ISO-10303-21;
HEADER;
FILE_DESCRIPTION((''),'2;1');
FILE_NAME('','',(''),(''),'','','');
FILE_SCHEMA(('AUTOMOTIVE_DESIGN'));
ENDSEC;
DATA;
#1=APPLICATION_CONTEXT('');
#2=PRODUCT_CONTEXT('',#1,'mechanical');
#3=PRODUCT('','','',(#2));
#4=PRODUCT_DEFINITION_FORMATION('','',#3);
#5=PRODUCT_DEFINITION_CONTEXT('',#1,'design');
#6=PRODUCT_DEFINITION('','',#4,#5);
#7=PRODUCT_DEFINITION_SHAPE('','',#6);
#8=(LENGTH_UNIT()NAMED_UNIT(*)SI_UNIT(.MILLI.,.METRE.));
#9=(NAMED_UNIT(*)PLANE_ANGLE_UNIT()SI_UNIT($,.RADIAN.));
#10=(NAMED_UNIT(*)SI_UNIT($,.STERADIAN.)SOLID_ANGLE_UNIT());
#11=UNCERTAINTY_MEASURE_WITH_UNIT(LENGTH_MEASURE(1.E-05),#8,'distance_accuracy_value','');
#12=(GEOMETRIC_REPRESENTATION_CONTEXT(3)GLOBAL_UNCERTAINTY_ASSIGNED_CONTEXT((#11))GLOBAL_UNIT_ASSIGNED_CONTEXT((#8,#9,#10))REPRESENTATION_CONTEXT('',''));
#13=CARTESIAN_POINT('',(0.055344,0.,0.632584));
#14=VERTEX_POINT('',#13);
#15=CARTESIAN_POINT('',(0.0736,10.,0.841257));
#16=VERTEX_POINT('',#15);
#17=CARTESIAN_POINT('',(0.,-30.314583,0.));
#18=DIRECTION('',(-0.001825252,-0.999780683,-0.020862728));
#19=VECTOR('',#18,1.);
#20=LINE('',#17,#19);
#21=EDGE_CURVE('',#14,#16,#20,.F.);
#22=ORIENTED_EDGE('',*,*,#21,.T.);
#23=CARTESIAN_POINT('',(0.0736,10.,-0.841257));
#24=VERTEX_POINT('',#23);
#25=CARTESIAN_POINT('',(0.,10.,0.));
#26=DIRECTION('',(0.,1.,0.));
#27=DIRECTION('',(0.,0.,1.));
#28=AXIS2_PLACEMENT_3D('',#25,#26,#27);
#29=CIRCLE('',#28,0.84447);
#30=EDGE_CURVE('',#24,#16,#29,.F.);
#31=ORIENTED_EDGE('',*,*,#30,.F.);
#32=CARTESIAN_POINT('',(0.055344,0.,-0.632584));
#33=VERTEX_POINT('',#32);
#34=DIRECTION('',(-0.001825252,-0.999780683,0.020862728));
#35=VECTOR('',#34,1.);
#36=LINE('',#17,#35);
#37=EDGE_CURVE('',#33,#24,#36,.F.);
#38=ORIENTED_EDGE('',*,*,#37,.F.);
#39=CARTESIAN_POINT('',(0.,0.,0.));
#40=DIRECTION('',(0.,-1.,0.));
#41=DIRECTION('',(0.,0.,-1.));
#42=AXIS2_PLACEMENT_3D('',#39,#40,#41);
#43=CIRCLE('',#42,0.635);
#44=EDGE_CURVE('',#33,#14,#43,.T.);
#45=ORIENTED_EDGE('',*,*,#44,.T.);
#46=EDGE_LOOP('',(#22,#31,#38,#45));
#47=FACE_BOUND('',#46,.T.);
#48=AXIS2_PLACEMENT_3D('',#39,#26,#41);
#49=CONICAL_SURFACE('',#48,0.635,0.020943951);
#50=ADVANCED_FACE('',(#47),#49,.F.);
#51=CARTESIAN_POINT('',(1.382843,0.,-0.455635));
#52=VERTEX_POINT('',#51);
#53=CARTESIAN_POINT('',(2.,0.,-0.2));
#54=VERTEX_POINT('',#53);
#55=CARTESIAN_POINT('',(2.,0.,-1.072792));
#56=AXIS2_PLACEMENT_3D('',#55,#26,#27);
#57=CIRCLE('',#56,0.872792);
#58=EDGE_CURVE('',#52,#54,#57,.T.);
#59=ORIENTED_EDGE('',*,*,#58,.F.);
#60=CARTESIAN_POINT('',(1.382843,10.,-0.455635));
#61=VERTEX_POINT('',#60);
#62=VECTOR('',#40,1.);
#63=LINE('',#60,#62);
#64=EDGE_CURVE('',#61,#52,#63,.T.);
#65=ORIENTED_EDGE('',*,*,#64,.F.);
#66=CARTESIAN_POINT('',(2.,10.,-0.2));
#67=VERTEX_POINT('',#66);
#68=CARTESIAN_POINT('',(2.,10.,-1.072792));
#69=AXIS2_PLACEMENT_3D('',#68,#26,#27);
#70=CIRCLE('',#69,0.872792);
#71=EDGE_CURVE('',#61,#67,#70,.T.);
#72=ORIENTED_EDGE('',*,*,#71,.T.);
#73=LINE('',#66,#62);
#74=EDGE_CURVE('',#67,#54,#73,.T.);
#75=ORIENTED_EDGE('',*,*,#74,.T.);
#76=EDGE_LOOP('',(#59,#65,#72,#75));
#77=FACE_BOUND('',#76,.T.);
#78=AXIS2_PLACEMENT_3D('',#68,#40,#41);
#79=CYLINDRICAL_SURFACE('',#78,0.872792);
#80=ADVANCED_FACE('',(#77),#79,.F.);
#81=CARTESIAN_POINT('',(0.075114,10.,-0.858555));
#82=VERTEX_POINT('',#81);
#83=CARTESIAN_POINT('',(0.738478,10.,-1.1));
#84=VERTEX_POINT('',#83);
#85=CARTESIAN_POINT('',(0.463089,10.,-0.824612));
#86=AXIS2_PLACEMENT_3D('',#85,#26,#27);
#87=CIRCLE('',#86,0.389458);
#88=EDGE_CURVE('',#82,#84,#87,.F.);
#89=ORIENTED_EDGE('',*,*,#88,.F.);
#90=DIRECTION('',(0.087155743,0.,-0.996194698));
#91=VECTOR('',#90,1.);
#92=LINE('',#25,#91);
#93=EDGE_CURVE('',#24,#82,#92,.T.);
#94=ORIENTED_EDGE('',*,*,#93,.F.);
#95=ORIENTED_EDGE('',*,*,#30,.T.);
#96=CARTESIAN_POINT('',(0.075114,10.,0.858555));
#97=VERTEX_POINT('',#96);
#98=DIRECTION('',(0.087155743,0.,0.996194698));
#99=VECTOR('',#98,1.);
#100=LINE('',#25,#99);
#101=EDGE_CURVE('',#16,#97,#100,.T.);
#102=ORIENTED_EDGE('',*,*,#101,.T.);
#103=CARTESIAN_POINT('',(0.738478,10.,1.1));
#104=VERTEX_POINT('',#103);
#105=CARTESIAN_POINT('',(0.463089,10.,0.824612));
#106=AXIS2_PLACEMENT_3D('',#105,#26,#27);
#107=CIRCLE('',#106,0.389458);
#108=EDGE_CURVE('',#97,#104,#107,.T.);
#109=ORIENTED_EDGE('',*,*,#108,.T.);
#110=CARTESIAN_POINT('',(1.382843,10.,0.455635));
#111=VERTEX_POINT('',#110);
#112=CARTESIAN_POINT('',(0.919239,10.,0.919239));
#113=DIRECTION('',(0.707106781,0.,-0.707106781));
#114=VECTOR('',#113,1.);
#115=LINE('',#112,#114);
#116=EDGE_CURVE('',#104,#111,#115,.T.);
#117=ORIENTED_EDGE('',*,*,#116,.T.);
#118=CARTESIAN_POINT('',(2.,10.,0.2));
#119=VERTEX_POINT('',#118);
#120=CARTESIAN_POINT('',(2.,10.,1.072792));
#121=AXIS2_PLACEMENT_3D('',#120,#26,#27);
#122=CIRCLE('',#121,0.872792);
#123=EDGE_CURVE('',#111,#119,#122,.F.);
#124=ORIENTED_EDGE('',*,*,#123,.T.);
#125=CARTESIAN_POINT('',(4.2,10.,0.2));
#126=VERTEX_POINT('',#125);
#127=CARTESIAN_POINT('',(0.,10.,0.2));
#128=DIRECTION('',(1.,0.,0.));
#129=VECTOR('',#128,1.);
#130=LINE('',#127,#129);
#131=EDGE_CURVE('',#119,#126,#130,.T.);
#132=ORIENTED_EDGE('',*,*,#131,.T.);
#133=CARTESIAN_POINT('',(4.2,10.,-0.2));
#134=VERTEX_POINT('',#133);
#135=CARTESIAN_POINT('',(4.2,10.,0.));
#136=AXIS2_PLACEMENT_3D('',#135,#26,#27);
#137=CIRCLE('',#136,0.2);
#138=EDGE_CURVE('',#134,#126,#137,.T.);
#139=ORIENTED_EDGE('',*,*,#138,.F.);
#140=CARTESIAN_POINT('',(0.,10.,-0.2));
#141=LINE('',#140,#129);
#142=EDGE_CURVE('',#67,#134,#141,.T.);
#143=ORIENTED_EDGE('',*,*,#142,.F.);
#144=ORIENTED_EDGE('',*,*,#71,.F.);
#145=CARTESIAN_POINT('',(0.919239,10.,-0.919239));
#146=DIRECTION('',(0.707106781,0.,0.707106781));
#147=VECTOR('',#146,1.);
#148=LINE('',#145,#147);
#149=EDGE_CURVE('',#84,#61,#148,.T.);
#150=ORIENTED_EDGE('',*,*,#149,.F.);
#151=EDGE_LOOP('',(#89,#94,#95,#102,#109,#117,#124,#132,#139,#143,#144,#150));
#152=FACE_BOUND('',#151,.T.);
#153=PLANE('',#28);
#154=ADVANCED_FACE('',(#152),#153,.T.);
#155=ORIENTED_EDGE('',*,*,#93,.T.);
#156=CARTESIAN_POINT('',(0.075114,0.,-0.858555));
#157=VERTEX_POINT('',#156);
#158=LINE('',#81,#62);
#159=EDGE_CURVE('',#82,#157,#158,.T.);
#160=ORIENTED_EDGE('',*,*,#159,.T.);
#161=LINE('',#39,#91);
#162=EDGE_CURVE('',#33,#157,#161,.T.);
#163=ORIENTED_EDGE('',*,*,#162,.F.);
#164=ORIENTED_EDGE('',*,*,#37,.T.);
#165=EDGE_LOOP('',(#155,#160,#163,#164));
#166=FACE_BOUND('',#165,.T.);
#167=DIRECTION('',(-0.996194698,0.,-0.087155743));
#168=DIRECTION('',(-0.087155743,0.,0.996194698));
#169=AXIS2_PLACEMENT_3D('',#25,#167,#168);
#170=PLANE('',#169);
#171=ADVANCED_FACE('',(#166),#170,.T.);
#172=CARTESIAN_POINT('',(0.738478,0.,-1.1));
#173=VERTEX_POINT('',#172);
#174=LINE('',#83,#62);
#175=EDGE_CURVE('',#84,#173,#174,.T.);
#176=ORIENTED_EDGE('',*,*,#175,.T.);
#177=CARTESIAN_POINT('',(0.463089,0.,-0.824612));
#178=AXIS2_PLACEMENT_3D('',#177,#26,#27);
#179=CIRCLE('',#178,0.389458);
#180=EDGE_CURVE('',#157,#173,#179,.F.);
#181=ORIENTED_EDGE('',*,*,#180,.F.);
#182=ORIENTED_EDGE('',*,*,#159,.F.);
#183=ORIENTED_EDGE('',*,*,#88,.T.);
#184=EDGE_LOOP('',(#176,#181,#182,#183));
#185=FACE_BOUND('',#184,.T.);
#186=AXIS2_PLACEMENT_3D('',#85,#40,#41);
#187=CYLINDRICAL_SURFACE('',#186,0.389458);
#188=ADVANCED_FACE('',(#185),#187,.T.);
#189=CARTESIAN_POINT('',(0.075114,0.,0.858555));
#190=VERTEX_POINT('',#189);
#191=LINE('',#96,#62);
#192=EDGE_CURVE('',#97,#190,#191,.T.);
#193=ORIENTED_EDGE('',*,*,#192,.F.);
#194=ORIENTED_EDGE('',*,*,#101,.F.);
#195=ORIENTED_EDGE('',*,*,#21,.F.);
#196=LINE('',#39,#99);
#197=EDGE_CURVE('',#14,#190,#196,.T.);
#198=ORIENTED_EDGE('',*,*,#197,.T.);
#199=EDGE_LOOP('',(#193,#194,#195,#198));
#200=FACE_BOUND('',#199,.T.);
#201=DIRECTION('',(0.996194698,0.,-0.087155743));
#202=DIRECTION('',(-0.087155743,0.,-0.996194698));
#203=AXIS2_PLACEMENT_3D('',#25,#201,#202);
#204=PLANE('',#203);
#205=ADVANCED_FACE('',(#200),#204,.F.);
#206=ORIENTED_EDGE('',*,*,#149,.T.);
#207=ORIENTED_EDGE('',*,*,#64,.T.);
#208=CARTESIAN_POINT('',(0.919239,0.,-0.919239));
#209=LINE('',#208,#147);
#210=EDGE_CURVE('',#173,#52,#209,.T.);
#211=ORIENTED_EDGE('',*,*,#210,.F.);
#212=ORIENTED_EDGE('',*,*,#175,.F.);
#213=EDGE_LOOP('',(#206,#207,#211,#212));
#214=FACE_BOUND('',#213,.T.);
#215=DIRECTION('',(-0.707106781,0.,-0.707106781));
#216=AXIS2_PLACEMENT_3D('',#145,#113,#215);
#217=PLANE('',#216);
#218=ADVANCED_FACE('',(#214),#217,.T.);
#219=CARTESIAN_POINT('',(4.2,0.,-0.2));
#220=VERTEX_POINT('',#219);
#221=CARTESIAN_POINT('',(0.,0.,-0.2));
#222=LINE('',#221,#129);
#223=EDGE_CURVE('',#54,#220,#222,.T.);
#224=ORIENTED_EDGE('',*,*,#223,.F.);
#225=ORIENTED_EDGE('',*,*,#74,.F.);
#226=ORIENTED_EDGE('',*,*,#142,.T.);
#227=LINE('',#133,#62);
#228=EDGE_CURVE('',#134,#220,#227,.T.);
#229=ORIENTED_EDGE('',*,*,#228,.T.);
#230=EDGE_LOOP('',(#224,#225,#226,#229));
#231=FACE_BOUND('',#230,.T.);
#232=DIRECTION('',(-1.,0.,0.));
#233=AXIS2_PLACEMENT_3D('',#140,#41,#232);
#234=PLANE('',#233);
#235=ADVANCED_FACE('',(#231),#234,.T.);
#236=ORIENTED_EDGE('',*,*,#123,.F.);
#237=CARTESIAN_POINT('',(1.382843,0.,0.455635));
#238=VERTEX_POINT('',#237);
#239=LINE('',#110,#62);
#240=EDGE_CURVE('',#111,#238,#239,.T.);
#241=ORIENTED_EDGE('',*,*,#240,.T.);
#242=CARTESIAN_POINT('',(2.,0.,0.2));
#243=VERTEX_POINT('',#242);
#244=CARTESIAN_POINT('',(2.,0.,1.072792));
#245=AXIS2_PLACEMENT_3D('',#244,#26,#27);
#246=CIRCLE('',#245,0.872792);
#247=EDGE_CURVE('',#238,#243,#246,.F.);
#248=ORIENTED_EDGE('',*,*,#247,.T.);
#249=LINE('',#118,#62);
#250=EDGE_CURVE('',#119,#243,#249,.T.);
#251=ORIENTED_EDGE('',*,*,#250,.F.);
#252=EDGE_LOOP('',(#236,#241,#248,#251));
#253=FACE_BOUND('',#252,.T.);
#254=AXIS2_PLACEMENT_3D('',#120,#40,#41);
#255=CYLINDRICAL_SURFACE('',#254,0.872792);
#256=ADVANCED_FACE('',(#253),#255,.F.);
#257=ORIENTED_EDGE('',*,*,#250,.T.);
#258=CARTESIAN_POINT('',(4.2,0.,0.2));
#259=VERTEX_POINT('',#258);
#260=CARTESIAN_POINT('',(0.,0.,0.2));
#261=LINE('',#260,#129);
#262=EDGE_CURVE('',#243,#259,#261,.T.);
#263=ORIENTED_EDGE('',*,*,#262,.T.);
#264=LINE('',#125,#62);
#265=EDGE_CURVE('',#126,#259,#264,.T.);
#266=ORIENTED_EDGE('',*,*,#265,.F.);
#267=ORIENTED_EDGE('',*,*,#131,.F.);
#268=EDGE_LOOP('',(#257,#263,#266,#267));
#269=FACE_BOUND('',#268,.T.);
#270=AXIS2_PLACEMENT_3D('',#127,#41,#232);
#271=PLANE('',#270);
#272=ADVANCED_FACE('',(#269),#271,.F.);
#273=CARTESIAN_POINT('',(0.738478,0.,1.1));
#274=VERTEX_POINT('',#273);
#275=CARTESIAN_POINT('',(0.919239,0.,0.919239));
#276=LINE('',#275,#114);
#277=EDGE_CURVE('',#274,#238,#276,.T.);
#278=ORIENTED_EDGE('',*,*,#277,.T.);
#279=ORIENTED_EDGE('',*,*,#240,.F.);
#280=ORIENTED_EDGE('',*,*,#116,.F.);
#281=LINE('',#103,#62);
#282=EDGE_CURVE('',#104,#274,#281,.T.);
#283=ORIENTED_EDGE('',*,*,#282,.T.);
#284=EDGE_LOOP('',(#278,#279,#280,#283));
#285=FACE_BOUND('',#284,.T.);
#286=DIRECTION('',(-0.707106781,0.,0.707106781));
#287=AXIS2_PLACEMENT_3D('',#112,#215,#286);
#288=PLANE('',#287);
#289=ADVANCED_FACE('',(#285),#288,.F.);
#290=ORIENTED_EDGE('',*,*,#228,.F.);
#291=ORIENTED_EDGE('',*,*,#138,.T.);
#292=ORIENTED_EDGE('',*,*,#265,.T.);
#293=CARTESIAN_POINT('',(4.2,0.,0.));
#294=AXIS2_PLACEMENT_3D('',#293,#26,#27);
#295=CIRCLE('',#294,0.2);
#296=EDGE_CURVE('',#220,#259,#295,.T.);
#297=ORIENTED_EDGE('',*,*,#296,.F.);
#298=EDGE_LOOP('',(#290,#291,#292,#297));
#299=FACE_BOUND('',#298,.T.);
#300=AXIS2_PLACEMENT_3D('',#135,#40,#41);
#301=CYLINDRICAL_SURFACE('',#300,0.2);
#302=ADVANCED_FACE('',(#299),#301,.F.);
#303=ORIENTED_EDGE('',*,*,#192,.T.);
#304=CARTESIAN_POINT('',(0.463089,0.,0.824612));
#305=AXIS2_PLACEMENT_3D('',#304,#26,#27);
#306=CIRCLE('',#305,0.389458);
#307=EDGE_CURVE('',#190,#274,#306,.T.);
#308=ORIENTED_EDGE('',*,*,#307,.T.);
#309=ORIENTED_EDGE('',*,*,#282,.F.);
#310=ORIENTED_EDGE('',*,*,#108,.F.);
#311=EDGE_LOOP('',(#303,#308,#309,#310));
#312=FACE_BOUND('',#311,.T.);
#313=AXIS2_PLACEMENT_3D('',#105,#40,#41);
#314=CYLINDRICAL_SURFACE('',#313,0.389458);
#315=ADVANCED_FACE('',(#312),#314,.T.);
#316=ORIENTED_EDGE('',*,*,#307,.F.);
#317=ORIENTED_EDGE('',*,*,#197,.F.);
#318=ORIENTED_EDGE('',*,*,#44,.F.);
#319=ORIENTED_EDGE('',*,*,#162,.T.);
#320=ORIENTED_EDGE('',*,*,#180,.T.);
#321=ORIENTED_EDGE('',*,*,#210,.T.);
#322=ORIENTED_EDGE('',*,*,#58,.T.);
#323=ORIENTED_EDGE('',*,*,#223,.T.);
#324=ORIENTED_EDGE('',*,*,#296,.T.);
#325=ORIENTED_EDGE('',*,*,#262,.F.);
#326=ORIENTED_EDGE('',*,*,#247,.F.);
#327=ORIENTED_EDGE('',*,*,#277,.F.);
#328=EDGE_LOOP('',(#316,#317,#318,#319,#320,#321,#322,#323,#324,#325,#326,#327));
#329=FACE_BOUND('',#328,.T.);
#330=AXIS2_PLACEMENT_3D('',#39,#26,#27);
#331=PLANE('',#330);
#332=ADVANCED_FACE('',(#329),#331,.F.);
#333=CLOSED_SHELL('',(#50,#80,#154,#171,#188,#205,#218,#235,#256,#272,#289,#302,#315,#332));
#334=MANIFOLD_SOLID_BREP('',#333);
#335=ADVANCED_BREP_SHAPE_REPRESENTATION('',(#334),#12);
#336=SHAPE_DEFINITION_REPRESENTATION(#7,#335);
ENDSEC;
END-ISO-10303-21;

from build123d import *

# Parameters (mm, degrees)
BOSS_EXTRUDE2_DEPTH = 10
SKETCH5_R           = 0.635
CUT_EXTRUDE1_DEPTH  = 10
CUT_EXTRUDE1_DRAFT  = 1.2


with BuildPart() as part:
    # Sketch2 → Boss-Extrude2 (new body)
    with BuildSketch(Plane(origin=(0, 0, 0), x_dir=(1, 0, 0), z_dir=(0, 1, 0))):
        with BuildLine():
            Line((0.055343897, 0.632583633), (0.075113859, 0.858555332))
            ThreePointArc((0.075113859, 0.858555332), (0.329887136, 1.190582332), (0.738477631, 1.1))
            Line((0.738477631, 1.1), (1.382842712, 0.455634919))
            ThreePointArc((1.382842712, 0.455634919), (1.665996883, 0.266437351), (2, 0.2))
            Line((2, 0.2), (4.2, 0.2))
            ThreePointArc((4.2, 0.2), (4, 0), (4.2, -0.2))
            Line((4.2, -0.2), (2, -0.2))
            ThreePointArc((2, -0.2), (1.665996883, -0.266437351), (1.382842712, -0.455634919))
            Line((1.382842712, -0.455634919), (0.738477631, -1.1))
            ThreePointArc((0.738477631, -1.1), (0.329887136, -1.190582332), (0.075113859, -0.858555332))
            Line((0.075113859, -0.858555332), (0.055343897, -0.632583633))
            Line((0.055343897, -0.632583633), (0.055343897, 0.632583633))
        make_face()
    extrude(amount=BOSS_EXTRUDE2_DEPTH)


with BuildPart() as cut_extrude1_tool:
    # Sketch5 → Cut-Extrude1 (with draft: the straight prism first)
    with BuildSketch(Plane.XZ):
        Circle(SKETCH5_R)
    extrude(amount=-CUT_EXTRUDE1_DEPTH)
    # Cut-Extrude1: the draft: its side faces are tilted about the plane it starts from
    cut_extrude1_sides = [cut_extrude1_tool.faces().sort_by_distance(p)[0] for p in [
        (-0.635, 5, 0),
    ]]
    draft(cut_extrude1_sides, Plane.XZ, CUT_EXTRUDE1_DRAFT)


with BuildPart() as part_1:
    add(part.part)

    # Cut-Extrude1: cut by cut_extrude1_tool
    add(cut_extrude1_tool.part, mode=Mode.SUBTRACT)


solid = part_1.part
